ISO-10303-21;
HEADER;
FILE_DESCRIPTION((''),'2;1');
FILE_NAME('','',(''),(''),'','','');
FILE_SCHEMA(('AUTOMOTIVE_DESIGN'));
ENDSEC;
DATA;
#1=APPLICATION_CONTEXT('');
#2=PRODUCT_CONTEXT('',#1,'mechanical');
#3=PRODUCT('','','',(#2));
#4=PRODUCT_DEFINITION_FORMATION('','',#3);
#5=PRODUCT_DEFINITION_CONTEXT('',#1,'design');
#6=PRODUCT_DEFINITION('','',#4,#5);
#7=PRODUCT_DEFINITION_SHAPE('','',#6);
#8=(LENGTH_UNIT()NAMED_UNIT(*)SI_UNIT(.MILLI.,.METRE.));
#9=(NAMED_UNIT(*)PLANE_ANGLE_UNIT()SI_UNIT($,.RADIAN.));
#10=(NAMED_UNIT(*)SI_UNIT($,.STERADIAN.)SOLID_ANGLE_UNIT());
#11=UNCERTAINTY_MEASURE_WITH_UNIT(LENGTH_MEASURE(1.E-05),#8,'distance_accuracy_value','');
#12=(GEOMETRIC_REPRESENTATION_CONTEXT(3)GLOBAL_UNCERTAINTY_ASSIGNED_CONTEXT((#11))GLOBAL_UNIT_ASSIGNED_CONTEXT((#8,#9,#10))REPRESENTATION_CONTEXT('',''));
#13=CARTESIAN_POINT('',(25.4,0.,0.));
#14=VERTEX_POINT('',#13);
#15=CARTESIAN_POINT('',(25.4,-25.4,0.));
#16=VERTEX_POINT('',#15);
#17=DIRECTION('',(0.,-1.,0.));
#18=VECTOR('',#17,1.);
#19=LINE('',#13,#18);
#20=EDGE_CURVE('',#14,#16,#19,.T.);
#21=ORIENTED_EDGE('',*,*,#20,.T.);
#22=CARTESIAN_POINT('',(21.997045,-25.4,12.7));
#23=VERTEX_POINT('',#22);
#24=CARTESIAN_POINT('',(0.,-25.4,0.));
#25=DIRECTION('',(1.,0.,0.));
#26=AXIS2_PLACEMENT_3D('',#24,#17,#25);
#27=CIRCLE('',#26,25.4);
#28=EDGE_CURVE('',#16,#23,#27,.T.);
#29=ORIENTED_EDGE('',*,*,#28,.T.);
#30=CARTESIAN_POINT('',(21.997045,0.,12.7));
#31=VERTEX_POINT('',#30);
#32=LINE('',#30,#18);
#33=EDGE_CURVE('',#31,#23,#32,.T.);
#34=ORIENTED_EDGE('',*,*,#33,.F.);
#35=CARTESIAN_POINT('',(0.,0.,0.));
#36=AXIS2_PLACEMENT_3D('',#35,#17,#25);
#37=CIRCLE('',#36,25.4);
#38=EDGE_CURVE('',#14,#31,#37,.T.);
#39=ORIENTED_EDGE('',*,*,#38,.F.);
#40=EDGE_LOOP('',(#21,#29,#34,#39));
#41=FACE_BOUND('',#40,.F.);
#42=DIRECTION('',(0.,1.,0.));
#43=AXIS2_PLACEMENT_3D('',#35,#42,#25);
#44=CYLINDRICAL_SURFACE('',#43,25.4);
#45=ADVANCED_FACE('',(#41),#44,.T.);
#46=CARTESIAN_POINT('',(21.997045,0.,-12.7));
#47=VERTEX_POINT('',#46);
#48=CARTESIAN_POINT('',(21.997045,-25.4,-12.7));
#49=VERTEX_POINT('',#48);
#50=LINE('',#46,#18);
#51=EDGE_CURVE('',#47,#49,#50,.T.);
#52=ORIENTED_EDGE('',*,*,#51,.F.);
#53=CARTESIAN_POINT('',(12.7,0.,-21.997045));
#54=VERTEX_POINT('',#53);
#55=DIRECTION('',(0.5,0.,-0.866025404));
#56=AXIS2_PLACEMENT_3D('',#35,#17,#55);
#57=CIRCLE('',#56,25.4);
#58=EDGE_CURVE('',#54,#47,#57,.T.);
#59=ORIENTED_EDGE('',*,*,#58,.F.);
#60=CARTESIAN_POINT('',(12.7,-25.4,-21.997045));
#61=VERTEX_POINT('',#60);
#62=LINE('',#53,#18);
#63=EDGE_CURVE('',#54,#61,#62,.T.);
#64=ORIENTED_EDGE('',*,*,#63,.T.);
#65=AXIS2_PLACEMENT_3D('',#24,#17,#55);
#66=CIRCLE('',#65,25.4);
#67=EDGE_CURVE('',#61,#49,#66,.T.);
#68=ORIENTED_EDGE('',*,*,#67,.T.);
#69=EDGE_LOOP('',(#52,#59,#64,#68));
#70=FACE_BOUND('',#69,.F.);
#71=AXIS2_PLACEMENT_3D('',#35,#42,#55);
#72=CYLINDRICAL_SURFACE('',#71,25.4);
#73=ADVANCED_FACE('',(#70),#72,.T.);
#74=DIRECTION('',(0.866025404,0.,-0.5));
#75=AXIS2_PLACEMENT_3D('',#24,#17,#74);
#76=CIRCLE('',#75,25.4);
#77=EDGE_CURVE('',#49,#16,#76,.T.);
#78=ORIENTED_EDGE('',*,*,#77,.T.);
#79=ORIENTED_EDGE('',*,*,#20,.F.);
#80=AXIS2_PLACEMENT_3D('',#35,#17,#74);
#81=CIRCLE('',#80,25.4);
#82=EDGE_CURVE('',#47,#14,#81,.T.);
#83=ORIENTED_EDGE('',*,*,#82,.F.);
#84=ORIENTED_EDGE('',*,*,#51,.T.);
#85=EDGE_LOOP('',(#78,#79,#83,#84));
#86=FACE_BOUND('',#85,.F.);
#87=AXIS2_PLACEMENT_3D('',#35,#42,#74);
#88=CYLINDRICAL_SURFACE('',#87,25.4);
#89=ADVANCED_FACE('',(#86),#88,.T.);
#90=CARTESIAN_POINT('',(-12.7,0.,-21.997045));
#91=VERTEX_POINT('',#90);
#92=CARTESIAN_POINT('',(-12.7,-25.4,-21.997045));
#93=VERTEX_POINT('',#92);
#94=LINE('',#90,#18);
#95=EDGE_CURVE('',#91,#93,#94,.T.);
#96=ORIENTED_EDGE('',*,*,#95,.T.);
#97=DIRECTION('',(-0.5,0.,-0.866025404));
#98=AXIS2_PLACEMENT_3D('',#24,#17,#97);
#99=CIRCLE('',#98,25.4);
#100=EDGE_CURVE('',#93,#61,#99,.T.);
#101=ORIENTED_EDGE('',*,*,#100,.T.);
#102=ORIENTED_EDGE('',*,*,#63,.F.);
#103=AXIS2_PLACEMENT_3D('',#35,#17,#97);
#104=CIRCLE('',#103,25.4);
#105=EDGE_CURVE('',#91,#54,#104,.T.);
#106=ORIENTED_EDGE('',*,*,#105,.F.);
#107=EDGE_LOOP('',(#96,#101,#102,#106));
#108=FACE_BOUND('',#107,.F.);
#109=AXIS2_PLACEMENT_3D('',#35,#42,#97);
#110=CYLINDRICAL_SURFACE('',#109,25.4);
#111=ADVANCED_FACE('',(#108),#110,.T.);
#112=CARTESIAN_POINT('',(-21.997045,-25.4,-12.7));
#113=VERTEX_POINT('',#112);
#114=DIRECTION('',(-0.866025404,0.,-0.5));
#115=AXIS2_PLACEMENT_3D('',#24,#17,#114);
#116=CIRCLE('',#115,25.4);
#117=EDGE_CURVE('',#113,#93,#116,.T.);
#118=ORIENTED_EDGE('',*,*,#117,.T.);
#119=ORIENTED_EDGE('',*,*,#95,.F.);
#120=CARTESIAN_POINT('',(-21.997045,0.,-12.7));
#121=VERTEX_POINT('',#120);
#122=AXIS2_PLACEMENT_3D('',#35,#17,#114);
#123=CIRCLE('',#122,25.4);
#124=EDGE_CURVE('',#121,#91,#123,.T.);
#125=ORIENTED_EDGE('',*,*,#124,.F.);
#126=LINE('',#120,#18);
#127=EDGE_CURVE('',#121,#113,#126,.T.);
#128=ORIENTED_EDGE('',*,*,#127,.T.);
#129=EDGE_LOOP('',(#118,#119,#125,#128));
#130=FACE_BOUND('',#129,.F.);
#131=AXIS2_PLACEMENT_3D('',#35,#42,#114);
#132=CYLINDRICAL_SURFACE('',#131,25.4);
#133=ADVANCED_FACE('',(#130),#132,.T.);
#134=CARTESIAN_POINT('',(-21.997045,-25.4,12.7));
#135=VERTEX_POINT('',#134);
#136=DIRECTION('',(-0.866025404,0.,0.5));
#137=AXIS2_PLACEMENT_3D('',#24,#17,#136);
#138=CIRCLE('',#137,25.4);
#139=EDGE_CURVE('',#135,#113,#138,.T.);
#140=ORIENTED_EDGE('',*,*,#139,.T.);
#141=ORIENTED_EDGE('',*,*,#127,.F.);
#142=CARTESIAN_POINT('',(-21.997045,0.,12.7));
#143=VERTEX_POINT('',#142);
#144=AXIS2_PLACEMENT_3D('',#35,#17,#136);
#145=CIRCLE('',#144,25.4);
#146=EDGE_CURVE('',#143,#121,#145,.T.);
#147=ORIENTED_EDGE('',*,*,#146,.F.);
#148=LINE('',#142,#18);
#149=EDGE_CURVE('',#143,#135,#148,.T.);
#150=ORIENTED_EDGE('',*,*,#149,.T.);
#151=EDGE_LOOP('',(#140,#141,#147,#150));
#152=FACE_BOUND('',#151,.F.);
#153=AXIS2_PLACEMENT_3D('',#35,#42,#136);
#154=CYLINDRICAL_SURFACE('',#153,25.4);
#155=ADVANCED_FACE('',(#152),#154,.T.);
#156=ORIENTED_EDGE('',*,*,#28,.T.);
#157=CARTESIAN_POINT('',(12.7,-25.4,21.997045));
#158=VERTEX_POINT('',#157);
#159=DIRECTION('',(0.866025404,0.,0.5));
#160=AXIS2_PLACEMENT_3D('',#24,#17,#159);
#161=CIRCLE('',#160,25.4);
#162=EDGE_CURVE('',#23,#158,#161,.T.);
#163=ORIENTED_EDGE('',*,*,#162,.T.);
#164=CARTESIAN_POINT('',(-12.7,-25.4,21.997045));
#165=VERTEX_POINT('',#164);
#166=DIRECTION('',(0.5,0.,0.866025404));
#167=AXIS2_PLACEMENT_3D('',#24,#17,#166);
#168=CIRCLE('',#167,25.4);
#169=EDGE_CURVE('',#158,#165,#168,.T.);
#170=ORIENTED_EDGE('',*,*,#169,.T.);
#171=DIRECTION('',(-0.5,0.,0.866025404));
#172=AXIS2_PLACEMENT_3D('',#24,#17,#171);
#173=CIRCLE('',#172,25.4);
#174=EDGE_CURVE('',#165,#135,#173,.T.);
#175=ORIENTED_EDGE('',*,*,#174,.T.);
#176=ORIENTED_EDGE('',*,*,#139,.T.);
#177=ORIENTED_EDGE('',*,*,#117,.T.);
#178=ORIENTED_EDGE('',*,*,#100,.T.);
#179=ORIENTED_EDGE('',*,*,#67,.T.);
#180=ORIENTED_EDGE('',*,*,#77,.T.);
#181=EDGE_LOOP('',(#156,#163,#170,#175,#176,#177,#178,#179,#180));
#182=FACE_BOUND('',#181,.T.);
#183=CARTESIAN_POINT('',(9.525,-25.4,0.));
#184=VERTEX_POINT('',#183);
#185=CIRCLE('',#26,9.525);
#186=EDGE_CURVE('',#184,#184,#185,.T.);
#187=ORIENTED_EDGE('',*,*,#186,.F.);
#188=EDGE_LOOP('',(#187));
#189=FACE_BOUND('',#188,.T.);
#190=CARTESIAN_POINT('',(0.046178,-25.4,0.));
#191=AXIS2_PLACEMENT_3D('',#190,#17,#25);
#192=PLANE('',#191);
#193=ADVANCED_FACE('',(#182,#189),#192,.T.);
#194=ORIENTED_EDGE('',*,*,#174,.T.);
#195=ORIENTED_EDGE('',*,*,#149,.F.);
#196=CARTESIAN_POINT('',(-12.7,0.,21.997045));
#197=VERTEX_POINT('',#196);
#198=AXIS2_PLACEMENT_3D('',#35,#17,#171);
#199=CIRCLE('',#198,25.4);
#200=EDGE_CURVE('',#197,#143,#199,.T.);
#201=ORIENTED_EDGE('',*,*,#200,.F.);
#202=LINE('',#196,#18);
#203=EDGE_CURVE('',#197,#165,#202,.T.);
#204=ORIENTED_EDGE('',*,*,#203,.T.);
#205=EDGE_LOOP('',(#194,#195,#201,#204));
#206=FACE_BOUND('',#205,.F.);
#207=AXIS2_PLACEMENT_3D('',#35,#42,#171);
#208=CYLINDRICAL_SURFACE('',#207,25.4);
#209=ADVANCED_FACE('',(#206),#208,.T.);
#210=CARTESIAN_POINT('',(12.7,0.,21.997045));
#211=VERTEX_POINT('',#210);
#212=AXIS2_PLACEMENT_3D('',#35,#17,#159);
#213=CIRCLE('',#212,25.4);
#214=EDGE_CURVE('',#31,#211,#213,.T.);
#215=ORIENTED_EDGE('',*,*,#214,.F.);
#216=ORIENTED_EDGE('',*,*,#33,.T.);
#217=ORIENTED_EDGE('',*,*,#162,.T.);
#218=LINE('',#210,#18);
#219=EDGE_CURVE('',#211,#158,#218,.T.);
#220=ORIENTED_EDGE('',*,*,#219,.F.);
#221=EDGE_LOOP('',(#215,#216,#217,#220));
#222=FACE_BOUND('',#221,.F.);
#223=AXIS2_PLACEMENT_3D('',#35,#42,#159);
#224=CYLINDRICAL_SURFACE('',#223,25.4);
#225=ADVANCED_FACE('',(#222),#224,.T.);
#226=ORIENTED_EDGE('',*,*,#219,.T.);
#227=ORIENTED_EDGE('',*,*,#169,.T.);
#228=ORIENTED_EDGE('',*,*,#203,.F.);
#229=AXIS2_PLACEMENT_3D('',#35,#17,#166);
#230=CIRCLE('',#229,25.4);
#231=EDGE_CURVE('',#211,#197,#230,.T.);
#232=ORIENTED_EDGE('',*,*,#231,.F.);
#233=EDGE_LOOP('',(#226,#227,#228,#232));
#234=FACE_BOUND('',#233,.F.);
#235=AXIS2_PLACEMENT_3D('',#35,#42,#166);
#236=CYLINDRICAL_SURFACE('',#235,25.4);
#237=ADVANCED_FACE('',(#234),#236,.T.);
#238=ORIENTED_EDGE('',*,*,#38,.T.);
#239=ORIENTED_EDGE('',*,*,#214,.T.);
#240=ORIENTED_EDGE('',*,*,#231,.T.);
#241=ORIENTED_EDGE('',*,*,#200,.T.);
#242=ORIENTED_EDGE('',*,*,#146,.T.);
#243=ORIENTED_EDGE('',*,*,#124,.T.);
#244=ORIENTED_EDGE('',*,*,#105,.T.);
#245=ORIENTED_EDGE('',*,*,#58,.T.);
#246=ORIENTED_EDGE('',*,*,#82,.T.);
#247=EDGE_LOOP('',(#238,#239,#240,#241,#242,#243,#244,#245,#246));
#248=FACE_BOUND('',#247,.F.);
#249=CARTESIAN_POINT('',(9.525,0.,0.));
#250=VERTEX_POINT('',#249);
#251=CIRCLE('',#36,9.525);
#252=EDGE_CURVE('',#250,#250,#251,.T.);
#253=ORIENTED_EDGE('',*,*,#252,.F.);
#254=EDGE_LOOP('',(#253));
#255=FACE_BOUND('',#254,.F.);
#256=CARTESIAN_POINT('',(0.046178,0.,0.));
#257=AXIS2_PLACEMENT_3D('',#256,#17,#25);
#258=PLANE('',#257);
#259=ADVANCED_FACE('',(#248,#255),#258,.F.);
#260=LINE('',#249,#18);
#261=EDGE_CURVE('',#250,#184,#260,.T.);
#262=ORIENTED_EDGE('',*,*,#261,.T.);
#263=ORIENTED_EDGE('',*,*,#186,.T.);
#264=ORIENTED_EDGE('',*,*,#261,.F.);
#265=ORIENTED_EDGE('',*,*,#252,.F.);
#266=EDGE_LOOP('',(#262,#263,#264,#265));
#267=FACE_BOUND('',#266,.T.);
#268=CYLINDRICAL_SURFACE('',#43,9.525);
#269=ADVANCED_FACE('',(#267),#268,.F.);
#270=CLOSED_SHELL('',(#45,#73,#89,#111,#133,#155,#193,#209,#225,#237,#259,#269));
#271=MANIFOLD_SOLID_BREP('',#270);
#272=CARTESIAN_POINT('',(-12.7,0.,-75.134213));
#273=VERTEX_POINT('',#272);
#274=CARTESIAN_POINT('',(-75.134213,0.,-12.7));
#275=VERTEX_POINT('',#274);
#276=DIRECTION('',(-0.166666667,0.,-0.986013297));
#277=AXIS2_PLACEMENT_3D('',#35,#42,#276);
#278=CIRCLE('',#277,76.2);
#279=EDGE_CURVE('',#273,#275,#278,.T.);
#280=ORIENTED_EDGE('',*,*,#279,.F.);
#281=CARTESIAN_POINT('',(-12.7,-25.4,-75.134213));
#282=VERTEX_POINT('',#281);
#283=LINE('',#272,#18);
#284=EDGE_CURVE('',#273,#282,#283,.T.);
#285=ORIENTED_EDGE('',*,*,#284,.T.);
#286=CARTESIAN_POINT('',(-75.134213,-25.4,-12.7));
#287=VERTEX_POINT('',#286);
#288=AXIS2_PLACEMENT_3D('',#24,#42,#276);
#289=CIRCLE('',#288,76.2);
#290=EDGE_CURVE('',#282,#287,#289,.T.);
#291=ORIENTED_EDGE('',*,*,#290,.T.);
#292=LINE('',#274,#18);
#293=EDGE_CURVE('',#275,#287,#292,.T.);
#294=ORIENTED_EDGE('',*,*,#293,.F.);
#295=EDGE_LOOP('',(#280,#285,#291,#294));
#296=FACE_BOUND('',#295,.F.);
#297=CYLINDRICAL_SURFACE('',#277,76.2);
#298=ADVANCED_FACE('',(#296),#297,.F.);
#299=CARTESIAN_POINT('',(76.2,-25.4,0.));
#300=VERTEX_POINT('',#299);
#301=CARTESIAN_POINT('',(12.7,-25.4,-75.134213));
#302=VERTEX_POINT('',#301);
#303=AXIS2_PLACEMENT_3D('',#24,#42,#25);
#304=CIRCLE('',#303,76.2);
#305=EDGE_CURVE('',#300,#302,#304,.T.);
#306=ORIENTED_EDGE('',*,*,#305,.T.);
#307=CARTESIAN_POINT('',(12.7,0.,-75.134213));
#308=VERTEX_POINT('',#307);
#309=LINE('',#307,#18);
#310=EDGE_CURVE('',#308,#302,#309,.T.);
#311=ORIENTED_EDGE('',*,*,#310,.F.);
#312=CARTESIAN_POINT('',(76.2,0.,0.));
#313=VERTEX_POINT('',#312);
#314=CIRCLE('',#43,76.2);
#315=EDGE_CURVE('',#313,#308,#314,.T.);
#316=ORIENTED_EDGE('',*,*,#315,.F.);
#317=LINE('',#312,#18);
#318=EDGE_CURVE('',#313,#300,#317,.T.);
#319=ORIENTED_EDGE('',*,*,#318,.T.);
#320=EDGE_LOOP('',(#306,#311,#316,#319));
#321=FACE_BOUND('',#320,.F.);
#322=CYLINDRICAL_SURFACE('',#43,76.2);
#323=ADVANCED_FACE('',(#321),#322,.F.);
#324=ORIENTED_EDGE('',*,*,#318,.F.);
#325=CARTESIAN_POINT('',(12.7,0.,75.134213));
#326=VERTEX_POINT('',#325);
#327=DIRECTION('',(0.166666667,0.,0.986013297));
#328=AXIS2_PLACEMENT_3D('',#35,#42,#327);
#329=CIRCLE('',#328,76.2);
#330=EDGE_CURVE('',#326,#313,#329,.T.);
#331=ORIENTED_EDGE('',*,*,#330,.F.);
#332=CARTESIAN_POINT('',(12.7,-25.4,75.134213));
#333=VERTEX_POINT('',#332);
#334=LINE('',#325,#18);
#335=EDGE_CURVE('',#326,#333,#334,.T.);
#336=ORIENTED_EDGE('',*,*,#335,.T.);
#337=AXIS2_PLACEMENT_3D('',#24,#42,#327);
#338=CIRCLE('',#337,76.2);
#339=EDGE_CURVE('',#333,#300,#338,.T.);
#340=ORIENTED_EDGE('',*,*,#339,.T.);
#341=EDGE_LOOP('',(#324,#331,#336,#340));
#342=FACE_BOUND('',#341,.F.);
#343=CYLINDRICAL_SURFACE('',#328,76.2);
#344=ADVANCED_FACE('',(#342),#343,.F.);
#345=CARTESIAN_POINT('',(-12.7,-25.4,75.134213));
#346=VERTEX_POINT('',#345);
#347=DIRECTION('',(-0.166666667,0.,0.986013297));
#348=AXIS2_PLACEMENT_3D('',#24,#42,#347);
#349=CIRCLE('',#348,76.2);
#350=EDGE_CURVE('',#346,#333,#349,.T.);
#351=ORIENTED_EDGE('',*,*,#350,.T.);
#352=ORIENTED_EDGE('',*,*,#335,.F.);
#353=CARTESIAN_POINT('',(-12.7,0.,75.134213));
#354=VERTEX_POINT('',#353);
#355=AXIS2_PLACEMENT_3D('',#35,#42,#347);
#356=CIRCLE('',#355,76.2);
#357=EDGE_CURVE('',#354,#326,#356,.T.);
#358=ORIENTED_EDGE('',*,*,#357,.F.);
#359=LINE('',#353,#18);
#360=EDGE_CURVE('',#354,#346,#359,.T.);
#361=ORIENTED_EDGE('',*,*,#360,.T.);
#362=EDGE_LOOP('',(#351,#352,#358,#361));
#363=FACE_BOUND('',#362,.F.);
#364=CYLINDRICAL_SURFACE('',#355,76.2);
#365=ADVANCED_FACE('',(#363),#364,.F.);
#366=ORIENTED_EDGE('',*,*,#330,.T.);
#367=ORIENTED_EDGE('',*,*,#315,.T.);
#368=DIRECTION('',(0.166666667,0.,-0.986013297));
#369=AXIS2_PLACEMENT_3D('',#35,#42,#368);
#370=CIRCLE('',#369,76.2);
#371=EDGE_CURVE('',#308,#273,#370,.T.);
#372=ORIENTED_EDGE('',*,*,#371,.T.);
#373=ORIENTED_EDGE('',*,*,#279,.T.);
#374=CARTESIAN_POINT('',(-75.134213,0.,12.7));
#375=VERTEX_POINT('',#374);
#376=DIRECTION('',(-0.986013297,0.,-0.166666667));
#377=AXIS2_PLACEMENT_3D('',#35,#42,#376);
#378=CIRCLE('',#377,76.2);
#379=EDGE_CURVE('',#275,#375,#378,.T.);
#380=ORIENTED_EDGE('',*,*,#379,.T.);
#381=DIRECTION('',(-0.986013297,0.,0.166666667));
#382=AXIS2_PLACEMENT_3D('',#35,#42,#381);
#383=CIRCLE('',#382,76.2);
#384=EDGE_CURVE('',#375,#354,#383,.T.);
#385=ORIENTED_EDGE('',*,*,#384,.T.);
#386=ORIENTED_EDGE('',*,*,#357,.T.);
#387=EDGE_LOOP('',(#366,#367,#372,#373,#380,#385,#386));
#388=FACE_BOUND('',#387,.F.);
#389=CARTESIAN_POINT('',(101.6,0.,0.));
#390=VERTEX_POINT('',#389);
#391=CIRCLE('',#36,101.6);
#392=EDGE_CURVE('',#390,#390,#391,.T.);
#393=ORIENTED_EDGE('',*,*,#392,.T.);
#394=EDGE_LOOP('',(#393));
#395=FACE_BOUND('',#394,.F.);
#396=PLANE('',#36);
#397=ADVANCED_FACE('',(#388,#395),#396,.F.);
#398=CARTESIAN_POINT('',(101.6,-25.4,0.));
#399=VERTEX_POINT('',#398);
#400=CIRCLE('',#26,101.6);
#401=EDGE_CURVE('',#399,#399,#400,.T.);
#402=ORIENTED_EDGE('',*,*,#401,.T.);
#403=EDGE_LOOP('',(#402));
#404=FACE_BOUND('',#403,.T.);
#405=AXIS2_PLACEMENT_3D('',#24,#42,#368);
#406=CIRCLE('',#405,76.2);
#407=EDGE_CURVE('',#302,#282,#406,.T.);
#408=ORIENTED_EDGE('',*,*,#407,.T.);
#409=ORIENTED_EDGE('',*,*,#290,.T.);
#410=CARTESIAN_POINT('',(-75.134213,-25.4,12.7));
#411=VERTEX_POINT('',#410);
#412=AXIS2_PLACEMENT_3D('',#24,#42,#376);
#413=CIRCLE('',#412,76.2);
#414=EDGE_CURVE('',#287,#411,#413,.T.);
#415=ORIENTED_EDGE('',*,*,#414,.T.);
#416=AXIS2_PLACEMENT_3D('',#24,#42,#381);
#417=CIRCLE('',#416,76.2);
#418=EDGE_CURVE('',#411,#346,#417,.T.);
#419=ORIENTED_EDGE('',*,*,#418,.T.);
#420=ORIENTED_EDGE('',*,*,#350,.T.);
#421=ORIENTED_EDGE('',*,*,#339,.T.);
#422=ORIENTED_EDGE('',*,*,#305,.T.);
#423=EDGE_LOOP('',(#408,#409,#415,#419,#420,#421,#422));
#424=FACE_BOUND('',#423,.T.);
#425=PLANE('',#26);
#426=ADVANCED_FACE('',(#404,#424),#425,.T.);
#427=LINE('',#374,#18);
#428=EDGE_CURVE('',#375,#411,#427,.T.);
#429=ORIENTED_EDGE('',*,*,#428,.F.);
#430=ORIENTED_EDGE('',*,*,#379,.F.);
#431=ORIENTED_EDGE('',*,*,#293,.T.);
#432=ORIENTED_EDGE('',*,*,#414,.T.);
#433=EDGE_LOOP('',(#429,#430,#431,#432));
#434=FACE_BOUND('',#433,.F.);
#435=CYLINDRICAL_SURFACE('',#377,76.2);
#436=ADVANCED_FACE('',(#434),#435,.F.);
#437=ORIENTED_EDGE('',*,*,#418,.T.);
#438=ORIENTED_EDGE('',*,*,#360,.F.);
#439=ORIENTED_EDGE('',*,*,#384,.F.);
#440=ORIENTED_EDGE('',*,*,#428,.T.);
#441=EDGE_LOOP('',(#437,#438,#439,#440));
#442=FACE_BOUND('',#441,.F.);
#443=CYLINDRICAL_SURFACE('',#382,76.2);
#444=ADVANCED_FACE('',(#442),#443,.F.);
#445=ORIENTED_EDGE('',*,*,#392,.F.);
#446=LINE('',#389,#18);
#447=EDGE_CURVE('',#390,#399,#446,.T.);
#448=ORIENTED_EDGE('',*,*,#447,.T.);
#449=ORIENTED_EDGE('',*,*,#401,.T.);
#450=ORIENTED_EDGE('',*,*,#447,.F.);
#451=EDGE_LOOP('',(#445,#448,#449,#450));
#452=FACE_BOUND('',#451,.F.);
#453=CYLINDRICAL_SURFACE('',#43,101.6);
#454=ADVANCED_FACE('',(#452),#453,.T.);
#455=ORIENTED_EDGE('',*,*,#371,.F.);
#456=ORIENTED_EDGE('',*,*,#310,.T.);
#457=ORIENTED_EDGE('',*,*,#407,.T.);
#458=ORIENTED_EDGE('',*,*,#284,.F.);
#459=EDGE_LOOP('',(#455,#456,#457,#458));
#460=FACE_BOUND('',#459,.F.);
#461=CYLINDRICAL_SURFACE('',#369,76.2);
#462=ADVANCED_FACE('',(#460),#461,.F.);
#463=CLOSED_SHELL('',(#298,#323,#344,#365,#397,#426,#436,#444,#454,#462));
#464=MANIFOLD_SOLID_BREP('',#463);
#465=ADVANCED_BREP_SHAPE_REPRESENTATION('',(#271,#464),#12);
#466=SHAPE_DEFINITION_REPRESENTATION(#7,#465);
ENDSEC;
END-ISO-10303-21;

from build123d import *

# Parameters (mm, degrees)
F0_R     = 101.6
F1_DEPTH = 25.4
F0_R_2   = 9.525


with BuildPart() as f1:
    # F0 (on Front) → F1 (new body)
    with BuildSketch(Plane.XZ):
        Circle(F0_R)
        with BuildLine():
            ThreePointArc((12.7, 75.1342132454), (58.1987113259, 49.1868884968), (76.2, 0))
            ThreePointArc((76.2, 0), (75.9330858365, -6.3723210333), (75.1342132454, -12.7))
            ThreePointArc((75.1342132454, -12.7), (53.8815367264, -53.8815367264), (12.7, -75.1342132454))
            ThreePointArc((12.7, -75.1342132454), (0, -76.2), (-12.7, -75.1342132454))
            ThreePointArc((-12.7, -75.1342132454), (-53.8815367264, -53.8815367264), (-75.1342132454, -12.7))
            ThreePointArc((-75.1342132454, -12.7), (-76.2, 0), (-75.1342132454, 12.7))
            ThreePointArc((-75.1342132454, 12.7), (-53.8815367264, 53.8815367264), (-12.7, 75.1342132454))
            ThreePointArc((-12.7, 75.1342132454), (0, 76.2), (12.7, 75.1342132454))
        make_face(mode=Mode.SUBTRACT)
    extrude(amount=F1_DEPTH)


with BuildPart() as f1b:
    # F0 (on Front) → F1, piece 2 (new body)
    with BuildSketch(Plane.XZ):
        with BuildLine():
            ThreePointArc((21.9970452561, 12.7), (17.9605122421, 17.9605122421), (12.7, 21.9970452561))
            ThreePointArc((12.7, 21.9970452561), (0, 25.4), (-12.7, 21.9970452561))
            ThreePointArc((-12.7, 21.9970452561), (-17.9605122421, 17.9605122421), (-21.9970452561, 12.7))
            ThreePointArc((-21.9970452561, 12.7), (-25.4, 0), (-21.9970452561, -12.7))
            ThreePointArc((-21.9970452561, -12.7), (-17.9605122421, -17.9605122421), (-12.7, -21.9970452561))
            ThreePointArc((-12.7, -21.9970452561), (0, -25.4), (12.7, -21.9970452561))
            ThreePointArc((12.7, -21.9970452561), (17.9605122421, -17.9605122421), (21.9970452561, -12.7))
            ThreePointArc((21.9970452561, -12.7), (24.5345159877, -6.5740037456), (25.4, 0))
            ThreePointArc((25.4, 0), (24.5345159877, 6.5740037456), (21.9970452561, 12.7))
        make_face()
        Circle(F0_R_2, mode=Mode.SUBTRACT)
    extrude(amount=F1_DEPTH)


solid = Compound([f1.part, f1b.part])
